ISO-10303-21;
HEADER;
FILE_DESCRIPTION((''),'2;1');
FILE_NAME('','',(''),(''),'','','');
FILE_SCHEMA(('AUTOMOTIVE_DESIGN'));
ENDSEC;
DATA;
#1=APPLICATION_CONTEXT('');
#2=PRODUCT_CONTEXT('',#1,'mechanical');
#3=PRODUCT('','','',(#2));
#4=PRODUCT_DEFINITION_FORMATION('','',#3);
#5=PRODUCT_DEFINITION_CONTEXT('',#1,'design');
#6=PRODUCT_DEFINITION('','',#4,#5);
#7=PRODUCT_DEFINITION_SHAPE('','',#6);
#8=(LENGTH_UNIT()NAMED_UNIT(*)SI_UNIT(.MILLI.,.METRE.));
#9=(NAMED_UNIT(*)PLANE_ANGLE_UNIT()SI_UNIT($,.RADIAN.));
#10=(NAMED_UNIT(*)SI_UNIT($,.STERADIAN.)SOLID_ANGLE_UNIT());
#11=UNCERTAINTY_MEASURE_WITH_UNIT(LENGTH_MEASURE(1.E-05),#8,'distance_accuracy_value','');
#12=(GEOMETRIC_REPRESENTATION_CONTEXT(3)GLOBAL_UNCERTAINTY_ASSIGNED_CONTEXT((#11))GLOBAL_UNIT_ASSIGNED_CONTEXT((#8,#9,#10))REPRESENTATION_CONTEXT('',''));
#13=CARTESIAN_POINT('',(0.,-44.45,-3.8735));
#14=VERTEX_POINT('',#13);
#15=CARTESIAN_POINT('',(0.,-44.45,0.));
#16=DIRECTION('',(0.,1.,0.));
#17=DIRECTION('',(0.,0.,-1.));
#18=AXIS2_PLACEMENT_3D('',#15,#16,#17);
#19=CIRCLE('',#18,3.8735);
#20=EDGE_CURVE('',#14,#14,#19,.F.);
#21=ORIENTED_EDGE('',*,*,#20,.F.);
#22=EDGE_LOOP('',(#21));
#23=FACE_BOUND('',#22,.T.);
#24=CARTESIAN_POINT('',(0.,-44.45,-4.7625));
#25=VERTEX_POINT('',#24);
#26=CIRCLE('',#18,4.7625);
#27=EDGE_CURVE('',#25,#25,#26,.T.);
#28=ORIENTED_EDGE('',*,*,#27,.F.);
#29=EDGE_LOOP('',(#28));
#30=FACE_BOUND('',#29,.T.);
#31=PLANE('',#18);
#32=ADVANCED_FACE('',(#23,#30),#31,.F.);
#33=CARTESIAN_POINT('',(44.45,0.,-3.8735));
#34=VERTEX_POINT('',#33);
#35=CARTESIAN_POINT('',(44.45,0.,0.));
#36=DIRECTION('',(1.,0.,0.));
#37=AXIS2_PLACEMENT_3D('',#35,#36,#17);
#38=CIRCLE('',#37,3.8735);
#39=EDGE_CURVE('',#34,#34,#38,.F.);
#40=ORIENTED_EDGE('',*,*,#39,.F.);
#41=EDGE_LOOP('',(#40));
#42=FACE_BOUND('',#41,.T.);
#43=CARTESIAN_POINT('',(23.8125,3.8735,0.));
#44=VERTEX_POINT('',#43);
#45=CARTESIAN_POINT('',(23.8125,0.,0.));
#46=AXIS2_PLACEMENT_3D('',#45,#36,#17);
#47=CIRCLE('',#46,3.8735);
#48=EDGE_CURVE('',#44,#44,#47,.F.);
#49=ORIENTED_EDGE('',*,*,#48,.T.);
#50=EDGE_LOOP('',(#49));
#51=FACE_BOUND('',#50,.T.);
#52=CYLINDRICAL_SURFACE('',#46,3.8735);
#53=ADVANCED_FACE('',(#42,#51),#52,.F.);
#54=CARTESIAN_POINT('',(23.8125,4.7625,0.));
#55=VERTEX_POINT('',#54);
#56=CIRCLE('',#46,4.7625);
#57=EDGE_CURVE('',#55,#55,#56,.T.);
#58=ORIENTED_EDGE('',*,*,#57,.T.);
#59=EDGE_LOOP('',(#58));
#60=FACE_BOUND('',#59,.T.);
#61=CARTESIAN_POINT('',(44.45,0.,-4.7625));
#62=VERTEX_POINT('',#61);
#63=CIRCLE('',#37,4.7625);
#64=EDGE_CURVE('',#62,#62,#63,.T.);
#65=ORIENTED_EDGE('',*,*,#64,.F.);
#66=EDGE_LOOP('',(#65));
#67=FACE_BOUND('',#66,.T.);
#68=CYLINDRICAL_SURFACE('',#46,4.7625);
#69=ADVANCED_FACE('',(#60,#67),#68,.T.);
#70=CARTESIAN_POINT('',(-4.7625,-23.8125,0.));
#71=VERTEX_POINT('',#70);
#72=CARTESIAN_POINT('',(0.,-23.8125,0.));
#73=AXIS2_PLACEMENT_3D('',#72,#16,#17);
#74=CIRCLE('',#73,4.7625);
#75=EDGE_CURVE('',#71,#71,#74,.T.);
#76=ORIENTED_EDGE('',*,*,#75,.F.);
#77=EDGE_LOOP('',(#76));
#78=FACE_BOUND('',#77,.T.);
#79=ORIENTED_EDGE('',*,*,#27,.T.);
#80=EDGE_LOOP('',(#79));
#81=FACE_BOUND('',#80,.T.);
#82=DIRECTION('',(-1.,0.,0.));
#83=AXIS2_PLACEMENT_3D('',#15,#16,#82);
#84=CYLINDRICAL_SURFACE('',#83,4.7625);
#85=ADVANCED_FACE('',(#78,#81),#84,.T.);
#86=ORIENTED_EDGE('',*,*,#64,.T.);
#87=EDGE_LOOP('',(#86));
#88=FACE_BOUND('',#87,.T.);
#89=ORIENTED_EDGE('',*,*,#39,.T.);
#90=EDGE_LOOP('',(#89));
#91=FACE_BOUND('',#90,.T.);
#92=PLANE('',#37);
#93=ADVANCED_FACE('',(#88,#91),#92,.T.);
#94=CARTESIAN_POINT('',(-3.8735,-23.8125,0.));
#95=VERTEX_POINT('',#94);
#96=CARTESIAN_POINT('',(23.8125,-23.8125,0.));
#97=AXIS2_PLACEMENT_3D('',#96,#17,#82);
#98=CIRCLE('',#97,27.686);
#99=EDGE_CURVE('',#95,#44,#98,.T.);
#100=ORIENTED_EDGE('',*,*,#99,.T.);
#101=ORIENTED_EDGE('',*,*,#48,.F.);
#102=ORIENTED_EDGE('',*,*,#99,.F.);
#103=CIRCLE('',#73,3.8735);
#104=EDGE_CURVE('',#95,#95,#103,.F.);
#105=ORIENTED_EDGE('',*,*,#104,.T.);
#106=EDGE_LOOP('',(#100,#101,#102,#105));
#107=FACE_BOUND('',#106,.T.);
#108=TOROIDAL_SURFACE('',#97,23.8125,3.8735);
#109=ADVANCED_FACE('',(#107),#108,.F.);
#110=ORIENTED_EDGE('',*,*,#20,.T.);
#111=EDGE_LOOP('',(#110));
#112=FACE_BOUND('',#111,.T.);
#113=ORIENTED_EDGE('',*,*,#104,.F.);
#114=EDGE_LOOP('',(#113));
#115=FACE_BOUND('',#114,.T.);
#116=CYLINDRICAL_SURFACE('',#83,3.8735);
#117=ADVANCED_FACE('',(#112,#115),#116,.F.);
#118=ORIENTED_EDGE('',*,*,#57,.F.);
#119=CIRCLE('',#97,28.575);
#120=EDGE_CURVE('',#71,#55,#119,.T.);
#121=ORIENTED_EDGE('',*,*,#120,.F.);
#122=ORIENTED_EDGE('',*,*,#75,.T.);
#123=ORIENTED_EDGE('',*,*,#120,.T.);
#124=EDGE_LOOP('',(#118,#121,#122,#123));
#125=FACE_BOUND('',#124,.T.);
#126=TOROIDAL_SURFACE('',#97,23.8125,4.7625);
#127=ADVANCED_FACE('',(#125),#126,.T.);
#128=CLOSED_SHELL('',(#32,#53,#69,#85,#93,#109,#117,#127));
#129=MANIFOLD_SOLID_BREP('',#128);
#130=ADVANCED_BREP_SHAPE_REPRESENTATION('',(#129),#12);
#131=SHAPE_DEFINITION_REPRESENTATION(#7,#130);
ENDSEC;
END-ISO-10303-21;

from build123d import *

# Parameters (mm, degrees)
SKETCH2_R   = 4.7625
SKETCH2_R_2 = 3.8735


with BuildPart() as part:
    # Sweep1: sweep along a path in Sketch1
    with BuildLine(Plane.XY) as sweep1_path:
        Line((0, -44.45), (0, -23.8125))
        ThreePointArc((0, -23.8125), (6.974519773, -6.974519773), (23.8125, 0))
        Line((23.8125, 0), (44.45, 0))
    # Sketch2 → Sweep1 (sweep)
    with BuildSketch(Plane(origin=(44.45, 0, 0), x_dir=(0, 0, -1), z_dir=(1, 0, 0))):
        Circle(SKETCH2_R)
        Circle(SKETCH2_R_2, mode=Mode.SUBTRACT)
    sweep(path=sweep1_path.line)


solid = part.part
